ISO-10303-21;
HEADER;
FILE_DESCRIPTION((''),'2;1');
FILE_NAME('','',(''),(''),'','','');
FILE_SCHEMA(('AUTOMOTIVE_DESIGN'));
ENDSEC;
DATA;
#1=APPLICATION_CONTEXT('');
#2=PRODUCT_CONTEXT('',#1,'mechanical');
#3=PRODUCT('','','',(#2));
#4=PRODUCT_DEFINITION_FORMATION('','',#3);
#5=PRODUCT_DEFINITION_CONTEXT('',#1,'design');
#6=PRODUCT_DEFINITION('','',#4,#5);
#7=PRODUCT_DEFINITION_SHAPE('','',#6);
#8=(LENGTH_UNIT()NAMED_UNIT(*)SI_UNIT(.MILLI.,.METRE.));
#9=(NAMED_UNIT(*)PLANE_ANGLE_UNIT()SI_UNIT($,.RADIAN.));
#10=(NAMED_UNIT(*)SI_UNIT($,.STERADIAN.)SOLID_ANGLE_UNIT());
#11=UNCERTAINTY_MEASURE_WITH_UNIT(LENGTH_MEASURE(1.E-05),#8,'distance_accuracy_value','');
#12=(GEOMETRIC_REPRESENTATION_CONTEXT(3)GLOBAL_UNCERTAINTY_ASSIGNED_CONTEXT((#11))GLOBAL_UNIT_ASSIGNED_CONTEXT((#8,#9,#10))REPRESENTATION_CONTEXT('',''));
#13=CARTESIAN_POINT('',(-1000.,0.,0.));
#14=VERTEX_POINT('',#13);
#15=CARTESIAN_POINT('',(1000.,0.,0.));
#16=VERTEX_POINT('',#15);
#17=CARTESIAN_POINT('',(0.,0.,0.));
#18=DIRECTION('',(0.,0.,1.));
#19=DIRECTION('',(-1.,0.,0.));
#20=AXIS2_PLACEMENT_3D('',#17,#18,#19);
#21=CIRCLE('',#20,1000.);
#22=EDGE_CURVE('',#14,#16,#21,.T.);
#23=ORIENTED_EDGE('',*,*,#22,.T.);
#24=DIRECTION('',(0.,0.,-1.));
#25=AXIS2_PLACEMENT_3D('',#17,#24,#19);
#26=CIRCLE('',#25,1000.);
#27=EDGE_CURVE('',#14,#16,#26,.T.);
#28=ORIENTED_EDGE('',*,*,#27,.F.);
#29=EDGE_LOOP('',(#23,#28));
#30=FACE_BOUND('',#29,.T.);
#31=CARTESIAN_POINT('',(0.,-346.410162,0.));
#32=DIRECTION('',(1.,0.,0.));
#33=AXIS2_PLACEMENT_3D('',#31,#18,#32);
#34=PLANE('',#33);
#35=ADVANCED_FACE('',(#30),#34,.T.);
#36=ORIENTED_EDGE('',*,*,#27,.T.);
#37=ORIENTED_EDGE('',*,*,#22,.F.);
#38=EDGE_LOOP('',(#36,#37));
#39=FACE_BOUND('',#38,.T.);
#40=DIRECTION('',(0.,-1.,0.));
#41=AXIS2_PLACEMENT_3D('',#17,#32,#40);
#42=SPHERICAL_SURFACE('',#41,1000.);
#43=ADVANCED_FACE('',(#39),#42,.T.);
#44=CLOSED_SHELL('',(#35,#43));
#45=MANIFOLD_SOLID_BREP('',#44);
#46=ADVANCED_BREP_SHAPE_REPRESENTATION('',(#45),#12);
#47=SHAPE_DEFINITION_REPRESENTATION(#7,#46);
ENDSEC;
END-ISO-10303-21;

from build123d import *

# Parameters (mm, degrees)
F1_ANGLE = 180


with BuildPart() as f1:
    # F0 (on Top) → F1 (revolve)
    with BuildSketch(Plane.XY):
        with BuildLine():
            ThreePointArc((-1000, 0), (0, -1000), (1000, 0))
            Line((1000, 0), (-1000, 0))
        make_face()
    revolve(axis=Axis((0, 0, 0), (1, 0, 0)), revolution_arc=F1_ANGLE)


solid = f1.part
